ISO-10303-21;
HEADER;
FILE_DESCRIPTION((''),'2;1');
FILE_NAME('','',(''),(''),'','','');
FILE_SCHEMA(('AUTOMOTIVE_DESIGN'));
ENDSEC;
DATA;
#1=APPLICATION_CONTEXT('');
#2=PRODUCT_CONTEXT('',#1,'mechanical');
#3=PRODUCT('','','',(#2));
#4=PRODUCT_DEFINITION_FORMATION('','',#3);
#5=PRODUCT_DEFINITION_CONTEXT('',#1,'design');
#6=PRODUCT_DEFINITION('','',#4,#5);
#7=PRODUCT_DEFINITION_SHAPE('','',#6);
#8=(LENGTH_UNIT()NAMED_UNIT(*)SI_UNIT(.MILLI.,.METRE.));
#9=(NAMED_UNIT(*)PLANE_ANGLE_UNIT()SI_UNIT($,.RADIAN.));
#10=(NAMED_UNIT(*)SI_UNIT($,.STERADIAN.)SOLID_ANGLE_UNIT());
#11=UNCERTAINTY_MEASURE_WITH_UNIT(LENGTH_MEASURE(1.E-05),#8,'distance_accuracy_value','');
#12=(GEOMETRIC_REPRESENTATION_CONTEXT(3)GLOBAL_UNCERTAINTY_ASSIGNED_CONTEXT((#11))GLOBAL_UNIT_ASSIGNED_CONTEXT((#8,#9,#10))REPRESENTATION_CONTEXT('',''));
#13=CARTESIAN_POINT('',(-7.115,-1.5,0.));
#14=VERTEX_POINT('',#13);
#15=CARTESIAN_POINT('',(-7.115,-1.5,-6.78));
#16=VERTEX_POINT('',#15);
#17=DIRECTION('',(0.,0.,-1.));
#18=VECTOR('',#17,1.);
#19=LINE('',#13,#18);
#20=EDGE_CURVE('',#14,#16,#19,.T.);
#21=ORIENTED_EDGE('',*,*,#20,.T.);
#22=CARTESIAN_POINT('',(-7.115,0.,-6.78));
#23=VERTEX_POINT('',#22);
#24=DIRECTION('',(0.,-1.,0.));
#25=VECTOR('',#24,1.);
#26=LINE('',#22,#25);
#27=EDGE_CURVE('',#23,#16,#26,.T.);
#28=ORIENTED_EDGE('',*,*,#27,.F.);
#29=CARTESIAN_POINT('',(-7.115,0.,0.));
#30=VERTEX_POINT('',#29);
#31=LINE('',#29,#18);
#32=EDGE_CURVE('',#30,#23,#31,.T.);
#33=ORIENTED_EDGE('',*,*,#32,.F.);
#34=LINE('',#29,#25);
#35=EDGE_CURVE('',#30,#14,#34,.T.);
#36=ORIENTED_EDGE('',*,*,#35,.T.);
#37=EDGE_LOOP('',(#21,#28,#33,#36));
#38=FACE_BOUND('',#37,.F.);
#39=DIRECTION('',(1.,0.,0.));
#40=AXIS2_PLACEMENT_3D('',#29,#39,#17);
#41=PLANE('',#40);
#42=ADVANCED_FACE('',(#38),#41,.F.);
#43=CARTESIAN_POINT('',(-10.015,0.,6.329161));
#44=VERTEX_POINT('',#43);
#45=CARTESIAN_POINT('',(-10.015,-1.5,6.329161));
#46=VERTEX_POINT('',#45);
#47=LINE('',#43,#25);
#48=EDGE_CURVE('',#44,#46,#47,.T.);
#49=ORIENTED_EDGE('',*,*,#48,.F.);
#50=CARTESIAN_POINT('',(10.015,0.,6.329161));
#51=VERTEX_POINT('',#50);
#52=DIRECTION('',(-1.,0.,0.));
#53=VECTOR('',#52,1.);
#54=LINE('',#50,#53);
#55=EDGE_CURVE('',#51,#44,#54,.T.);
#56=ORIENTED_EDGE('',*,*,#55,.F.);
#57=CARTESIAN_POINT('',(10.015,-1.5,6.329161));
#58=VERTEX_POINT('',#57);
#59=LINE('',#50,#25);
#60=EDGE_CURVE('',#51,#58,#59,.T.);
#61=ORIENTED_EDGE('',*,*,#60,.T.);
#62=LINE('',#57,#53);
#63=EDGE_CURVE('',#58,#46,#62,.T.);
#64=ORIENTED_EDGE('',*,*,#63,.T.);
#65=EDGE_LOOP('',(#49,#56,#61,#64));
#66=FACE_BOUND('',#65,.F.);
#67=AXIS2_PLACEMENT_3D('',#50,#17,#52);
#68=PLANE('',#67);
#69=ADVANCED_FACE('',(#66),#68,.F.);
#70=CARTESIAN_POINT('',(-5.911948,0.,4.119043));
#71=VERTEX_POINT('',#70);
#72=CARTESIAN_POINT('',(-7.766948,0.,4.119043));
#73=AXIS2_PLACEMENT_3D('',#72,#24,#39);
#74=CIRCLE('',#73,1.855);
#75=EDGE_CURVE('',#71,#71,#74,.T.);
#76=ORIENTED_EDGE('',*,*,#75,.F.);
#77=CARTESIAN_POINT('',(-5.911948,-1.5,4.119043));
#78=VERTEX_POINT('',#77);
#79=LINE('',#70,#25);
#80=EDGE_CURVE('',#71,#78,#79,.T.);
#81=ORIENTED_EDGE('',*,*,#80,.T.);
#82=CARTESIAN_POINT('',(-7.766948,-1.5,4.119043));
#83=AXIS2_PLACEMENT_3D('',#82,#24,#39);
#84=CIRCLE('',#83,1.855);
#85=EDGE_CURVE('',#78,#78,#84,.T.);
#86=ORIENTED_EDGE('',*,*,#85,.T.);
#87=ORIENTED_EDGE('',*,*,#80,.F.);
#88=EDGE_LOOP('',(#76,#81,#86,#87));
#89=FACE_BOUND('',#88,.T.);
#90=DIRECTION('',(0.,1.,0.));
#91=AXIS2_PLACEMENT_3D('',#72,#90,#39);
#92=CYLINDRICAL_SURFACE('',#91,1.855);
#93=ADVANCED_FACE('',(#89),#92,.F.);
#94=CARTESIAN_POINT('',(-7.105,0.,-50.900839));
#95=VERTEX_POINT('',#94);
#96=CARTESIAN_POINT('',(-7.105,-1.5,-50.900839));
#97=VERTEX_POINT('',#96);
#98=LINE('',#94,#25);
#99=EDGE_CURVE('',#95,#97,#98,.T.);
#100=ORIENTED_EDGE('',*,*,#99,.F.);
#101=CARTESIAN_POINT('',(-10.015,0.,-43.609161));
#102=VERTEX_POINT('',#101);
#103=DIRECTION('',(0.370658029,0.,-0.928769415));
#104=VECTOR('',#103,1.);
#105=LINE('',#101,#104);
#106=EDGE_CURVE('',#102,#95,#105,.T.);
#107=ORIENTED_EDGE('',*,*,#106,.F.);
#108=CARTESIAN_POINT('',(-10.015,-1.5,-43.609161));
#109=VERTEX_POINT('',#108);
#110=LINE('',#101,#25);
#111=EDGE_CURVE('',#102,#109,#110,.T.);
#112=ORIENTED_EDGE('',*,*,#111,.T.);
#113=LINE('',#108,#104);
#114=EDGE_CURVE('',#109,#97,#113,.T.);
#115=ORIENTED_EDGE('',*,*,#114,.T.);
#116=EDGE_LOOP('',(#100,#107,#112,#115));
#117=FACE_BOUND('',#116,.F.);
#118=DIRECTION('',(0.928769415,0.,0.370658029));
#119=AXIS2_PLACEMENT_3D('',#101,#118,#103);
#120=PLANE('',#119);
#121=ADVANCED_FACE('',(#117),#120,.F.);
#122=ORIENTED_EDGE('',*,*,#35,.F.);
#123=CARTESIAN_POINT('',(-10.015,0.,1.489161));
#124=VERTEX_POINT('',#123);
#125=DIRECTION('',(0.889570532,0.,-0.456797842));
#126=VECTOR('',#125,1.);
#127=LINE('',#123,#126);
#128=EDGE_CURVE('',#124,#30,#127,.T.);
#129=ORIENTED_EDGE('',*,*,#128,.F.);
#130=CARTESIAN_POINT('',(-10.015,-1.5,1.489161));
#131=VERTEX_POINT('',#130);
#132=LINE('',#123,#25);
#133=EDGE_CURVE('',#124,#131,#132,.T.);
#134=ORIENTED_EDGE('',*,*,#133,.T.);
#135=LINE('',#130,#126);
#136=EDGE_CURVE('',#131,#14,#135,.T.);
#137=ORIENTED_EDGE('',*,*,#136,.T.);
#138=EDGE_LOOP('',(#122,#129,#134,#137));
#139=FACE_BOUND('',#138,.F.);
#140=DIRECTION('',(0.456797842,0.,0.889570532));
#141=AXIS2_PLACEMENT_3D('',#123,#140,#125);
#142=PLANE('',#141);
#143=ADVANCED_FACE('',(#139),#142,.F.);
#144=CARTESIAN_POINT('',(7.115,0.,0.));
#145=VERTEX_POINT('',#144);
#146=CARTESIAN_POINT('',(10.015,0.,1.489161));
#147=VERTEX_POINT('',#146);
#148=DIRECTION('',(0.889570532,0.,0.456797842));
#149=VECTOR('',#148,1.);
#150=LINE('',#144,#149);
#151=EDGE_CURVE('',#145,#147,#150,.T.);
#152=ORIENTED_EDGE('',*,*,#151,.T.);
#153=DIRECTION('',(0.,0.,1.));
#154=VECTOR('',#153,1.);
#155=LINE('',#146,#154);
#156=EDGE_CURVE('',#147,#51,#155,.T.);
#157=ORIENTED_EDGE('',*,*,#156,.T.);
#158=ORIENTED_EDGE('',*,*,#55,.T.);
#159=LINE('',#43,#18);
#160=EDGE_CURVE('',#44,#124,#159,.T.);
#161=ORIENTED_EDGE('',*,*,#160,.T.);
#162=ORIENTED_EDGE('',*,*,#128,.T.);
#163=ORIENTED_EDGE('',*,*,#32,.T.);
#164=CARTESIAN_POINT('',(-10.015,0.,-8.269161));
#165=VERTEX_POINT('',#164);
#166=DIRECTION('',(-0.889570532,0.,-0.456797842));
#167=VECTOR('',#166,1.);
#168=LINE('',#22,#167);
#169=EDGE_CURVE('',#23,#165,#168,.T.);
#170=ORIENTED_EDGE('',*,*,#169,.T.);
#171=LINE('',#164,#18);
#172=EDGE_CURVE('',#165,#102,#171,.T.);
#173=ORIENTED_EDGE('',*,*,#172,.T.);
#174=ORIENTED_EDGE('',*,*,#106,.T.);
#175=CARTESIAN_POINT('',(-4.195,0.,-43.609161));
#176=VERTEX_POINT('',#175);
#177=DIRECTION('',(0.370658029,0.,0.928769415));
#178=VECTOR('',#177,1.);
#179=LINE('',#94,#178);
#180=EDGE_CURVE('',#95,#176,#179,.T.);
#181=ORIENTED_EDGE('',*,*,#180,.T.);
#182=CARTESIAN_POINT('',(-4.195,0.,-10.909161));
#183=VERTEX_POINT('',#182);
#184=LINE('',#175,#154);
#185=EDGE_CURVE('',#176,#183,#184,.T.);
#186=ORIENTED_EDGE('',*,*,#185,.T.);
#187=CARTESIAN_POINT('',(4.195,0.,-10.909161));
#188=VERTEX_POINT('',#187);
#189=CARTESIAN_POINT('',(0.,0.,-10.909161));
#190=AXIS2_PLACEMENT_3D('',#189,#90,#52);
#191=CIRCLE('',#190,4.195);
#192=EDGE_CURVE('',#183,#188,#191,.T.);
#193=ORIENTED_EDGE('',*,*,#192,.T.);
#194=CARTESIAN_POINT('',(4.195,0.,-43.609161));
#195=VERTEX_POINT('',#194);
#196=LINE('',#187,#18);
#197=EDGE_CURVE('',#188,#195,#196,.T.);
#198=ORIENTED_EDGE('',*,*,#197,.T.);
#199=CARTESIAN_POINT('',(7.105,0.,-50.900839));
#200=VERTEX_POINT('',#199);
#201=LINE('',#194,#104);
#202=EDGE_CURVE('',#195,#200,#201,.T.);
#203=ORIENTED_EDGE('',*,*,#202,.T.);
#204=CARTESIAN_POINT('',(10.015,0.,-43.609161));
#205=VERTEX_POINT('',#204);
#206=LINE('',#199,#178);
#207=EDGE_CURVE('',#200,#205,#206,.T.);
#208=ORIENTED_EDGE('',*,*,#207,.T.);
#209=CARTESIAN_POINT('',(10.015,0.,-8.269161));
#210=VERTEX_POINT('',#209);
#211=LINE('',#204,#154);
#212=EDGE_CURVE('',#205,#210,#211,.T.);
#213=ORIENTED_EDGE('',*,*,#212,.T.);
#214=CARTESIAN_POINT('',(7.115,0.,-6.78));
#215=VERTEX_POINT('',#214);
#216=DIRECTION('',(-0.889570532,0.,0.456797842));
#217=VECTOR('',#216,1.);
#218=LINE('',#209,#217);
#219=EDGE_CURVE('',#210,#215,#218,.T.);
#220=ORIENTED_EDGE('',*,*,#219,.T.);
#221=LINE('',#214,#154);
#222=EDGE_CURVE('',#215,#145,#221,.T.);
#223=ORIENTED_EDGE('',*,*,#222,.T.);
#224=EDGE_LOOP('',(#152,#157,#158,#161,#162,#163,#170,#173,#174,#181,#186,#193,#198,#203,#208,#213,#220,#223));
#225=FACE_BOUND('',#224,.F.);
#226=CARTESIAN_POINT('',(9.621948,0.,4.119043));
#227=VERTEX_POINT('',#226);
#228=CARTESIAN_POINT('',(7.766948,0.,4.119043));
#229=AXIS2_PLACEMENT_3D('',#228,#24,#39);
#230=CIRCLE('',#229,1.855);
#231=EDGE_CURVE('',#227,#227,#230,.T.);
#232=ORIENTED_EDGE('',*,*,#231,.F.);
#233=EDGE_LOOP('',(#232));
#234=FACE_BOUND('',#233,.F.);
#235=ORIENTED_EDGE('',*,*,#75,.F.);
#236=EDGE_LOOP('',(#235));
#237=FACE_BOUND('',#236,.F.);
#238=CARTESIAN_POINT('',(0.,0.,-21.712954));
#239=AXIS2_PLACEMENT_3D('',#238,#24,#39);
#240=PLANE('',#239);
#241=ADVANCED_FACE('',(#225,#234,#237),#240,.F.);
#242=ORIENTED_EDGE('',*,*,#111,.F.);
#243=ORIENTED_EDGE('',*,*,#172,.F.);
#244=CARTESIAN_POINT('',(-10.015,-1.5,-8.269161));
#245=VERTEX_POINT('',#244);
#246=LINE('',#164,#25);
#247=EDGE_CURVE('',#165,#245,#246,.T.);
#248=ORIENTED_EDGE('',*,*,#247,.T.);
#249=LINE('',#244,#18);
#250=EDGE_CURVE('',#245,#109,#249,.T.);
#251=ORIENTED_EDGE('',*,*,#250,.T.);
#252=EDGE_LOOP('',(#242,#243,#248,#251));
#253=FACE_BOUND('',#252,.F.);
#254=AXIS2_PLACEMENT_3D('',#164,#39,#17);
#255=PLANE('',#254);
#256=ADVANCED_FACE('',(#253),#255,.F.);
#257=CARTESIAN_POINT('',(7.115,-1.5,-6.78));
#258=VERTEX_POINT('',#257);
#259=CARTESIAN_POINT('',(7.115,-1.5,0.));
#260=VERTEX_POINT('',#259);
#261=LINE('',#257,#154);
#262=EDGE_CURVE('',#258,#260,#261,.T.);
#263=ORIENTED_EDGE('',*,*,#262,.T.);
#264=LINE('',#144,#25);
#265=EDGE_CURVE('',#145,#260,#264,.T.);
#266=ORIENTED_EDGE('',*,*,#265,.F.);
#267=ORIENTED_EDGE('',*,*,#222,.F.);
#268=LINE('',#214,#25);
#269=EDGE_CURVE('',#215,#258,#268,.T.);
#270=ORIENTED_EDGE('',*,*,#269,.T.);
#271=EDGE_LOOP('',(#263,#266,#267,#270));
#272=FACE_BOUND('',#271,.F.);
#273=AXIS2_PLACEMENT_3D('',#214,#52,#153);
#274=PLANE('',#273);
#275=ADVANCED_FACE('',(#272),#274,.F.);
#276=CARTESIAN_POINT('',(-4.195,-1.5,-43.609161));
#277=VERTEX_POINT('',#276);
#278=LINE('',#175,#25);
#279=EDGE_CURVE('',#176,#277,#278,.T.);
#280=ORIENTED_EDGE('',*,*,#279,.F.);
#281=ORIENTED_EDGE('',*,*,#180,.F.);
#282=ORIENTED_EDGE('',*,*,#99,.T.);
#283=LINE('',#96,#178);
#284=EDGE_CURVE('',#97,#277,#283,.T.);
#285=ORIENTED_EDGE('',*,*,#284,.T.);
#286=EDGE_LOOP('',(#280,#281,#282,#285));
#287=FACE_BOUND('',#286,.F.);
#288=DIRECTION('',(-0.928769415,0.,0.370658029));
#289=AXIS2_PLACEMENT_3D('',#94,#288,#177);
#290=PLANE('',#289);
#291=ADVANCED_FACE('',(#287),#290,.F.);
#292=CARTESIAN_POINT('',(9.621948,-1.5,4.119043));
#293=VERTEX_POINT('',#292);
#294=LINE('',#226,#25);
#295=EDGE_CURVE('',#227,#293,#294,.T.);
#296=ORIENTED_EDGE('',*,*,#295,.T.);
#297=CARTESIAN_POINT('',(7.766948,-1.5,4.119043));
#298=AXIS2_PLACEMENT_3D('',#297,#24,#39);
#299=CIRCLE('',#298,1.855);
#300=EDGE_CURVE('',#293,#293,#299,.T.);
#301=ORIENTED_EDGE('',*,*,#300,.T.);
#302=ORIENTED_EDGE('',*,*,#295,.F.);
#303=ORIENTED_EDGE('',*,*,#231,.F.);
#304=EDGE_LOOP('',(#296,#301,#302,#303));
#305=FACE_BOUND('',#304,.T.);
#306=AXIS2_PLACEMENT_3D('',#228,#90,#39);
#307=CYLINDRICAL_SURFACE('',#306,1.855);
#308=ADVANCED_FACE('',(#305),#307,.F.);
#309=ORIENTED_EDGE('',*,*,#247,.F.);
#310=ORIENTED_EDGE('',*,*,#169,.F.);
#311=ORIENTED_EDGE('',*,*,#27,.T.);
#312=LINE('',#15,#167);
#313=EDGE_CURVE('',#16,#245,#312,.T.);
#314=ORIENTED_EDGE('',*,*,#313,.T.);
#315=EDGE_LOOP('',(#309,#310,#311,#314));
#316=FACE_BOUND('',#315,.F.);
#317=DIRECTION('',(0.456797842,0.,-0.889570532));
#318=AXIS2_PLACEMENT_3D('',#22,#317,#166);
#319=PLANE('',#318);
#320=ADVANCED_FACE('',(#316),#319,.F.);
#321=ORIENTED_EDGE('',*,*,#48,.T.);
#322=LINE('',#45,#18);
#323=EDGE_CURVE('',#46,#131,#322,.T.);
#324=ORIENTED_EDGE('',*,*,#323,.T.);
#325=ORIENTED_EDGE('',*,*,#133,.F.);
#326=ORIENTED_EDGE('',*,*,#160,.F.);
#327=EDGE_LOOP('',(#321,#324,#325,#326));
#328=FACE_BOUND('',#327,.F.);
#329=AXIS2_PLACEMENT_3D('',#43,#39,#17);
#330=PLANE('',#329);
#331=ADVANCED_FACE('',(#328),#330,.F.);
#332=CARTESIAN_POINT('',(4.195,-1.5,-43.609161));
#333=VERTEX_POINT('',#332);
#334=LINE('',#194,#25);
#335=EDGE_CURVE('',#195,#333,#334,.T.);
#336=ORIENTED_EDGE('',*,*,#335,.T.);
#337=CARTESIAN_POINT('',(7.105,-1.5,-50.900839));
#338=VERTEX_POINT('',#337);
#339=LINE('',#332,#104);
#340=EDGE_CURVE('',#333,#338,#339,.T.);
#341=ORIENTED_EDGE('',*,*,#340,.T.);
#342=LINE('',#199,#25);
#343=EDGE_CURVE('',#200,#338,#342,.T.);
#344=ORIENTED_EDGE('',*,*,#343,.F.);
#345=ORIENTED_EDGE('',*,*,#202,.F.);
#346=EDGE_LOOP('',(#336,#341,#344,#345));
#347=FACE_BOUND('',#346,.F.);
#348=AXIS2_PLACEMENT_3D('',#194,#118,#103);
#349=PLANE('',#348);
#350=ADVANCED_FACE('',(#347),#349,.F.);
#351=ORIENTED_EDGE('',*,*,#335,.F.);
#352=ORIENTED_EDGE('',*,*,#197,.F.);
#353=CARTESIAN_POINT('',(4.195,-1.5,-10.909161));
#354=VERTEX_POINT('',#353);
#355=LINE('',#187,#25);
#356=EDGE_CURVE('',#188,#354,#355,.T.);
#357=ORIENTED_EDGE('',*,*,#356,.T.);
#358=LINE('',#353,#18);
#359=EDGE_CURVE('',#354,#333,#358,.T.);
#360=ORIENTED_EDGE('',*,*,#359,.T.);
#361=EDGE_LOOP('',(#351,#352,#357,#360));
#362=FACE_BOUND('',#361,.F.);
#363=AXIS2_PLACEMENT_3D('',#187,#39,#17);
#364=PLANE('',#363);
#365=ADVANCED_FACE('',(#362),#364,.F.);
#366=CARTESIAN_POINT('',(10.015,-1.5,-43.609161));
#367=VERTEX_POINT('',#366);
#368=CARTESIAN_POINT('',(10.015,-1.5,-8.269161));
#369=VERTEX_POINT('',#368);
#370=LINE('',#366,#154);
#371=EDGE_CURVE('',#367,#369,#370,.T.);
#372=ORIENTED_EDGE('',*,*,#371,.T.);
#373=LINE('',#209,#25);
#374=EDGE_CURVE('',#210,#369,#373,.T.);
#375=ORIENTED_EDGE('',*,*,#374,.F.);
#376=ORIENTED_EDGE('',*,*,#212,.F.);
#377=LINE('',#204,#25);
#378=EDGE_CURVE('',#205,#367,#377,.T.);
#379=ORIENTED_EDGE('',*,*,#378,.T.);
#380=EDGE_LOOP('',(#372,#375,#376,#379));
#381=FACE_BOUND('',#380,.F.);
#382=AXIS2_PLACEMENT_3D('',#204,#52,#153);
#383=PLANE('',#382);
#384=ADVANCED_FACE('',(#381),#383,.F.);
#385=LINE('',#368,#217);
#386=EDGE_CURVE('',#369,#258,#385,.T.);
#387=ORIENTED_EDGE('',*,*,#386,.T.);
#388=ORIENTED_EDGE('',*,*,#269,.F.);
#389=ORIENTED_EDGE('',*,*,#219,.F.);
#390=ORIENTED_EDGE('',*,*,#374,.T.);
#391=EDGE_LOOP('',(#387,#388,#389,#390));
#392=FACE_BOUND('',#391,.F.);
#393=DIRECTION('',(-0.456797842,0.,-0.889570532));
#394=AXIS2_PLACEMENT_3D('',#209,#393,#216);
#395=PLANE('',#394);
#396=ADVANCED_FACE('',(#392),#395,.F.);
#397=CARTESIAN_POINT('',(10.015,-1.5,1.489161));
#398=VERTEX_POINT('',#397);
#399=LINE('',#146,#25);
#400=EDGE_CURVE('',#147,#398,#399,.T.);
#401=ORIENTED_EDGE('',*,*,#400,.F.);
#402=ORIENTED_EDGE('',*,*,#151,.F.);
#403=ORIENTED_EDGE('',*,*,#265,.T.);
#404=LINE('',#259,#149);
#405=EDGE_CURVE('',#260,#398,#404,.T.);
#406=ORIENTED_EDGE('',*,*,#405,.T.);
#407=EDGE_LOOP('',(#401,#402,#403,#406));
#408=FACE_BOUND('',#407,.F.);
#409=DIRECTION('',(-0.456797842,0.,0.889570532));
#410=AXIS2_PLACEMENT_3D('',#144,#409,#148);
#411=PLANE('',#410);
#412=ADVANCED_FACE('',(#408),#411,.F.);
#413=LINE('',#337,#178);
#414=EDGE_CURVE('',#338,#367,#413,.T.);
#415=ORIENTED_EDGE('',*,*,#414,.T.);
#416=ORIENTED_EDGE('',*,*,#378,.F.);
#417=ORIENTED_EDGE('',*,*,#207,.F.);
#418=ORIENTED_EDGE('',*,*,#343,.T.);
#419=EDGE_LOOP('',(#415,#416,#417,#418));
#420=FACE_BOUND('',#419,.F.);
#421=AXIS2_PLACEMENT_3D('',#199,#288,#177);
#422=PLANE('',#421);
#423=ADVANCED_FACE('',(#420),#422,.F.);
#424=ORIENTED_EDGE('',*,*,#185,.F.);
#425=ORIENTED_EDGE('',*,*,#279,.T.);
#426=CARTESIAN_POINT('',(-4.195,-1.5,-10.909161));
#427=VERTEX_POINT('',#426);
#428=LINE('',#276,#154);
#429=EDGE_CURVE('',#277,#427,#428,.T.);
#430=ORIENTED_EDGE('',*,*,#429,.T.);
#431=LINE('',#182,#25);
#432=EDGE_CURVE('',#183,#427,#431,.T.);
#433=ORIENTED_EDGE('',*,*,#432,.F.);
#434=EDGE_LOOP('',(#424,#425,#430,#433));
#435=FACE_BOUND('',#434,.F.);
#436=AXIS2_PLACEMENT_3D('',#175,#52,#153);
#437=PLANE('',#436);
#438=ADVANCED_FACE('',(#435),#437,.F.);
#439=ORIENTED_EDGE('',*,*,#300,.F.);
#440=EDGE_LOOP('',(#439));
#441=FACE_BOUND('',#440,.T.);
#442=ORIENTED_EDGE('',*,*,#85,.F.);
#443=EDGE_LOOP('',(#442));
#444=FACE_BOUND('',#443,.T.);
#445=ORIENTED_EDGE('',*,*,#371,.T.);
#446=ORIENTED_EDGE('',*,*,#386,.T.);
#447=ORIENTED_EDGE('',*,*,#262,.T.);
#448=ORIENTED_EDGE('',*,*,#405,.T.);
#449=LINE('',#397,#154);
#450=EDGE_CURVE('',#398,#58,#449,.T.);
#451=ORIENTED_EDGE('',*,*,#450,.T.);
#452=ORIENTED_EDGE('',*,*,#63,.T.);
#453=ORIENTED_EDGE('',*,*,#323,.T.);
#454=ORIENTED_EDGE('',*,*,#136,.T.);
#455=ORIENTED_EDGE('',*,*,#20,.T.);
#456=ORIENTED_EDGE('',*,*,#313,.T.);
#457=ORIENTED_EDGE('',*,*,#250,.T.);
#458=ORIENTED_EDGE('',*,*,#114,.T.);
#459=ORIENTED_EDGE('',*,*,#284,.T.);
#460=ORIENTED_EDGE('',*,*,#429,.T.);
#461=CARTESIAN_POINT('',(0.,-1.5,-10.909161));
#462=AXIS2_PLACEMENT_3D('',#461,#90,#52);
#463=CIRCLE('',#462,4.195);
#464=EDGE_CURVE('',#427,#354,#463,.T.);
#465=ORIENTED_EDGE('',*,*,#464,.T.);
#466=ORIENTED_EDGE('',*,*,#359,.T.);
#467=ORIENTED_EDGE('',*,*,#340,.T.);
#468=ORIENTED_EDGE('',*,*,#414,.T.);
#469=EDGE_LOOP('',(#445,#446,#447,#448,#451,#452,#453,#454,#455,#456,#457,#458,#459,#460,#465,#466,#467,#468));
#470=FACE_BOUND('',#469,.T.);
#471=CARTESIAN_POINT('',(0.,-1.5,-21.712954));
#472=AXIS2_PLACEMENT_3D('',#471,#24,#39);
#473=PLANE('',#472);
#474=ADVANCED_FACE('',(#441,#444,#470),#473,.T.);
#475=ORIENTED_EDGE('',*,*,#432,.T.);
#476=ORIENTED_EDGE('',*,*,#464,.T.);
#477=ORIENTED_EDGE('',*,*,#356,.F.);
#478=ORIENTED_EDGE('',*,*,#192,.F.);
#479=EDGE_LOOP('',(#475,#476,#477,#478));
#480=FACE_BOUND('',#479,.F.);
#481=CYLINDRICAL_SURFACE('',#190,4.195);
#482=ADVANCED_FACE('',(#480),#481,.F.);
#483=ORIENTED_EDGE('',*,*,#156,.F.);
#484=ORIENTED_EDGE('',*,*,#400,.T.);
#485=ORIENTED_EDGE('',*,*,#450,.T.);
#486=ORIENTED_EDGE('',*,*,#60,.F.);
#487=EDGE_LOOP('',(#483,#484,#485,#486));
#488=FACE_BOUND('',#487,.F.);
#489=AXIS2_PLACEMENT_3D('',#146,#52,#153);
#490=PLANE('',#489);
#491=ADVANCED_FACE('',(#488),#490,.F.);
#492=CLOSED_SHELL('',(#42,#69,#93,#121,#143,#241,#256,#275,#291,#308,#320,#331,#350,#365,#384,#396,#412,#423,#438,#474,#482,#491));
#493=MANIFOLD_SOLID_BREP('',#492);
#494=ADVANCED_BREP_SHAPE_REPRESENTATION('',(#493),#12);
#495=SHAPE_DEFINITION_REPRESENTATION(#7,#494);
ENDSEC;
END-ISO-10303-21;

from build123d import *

# Parameters (mm, degrees)
F0_R     = 1.855
F1_DEPTH = 1.5


with BuildPart() as f1:
    # F0 (on Front) → F1 (new body)
    with BuildSketch(Plane.XZ):
        with BuildLine():
            Line((10.015, 6.329161), (0, 6.329161))
            Line((0, 6.329161), (-10.015, 6.329161))
            Line((-10.015, 6.329161), (-10.015, 1.489161))
            Line((-10.015, 1.489161), (-7.115, 0))
            Line((-7.115, 0), (-7.115, -6.78))
            Line((-7.115, -6.78), (-10.015, -8.269161))
            Line((-10.015, -8.269161), (-10.015, -43.609161))
            Line((-10.015, -43.609161), (-7.105, -50.900839))
            Line((-7.105, -50.900839), (-4.195, -43.609161))
            Line((-4.195, -43.609161), (-4.195, -10.909161))
            ThreePointArc((-4.195, -10.909161), (0, -6.714161), (4.195, -10.909161))
            Line((4.195, -10.909161), (4.195, -43.609161))
            Line((4.195, -43.609161), (7.105, -50.900839))
            Line((7.105, -50.900839), (10.015, -43.609161))
            Line((10.015, -43.609161), (10.015, -8.269161))
            Line((10.015, -8.269161), (7.115, -6.78))
            Line((7.115, -6.78), (7.115, 0))
            Line((7.115, 0), (10.015, 1.489161))
            Line((10.015, 1.489161), (10.015, 6.329161))
        make_face()
        with Locations((-7.766948, 4.119043)):
            Circle(F0_R, mode=Mode.SUBTRACT)
        with Locations((7.766948, 4.119043)):
            Circle(F0_R, mode=Mode.SUBTRACT)
    extrude(amount=F1_DEPTH)


solid = f1.part
